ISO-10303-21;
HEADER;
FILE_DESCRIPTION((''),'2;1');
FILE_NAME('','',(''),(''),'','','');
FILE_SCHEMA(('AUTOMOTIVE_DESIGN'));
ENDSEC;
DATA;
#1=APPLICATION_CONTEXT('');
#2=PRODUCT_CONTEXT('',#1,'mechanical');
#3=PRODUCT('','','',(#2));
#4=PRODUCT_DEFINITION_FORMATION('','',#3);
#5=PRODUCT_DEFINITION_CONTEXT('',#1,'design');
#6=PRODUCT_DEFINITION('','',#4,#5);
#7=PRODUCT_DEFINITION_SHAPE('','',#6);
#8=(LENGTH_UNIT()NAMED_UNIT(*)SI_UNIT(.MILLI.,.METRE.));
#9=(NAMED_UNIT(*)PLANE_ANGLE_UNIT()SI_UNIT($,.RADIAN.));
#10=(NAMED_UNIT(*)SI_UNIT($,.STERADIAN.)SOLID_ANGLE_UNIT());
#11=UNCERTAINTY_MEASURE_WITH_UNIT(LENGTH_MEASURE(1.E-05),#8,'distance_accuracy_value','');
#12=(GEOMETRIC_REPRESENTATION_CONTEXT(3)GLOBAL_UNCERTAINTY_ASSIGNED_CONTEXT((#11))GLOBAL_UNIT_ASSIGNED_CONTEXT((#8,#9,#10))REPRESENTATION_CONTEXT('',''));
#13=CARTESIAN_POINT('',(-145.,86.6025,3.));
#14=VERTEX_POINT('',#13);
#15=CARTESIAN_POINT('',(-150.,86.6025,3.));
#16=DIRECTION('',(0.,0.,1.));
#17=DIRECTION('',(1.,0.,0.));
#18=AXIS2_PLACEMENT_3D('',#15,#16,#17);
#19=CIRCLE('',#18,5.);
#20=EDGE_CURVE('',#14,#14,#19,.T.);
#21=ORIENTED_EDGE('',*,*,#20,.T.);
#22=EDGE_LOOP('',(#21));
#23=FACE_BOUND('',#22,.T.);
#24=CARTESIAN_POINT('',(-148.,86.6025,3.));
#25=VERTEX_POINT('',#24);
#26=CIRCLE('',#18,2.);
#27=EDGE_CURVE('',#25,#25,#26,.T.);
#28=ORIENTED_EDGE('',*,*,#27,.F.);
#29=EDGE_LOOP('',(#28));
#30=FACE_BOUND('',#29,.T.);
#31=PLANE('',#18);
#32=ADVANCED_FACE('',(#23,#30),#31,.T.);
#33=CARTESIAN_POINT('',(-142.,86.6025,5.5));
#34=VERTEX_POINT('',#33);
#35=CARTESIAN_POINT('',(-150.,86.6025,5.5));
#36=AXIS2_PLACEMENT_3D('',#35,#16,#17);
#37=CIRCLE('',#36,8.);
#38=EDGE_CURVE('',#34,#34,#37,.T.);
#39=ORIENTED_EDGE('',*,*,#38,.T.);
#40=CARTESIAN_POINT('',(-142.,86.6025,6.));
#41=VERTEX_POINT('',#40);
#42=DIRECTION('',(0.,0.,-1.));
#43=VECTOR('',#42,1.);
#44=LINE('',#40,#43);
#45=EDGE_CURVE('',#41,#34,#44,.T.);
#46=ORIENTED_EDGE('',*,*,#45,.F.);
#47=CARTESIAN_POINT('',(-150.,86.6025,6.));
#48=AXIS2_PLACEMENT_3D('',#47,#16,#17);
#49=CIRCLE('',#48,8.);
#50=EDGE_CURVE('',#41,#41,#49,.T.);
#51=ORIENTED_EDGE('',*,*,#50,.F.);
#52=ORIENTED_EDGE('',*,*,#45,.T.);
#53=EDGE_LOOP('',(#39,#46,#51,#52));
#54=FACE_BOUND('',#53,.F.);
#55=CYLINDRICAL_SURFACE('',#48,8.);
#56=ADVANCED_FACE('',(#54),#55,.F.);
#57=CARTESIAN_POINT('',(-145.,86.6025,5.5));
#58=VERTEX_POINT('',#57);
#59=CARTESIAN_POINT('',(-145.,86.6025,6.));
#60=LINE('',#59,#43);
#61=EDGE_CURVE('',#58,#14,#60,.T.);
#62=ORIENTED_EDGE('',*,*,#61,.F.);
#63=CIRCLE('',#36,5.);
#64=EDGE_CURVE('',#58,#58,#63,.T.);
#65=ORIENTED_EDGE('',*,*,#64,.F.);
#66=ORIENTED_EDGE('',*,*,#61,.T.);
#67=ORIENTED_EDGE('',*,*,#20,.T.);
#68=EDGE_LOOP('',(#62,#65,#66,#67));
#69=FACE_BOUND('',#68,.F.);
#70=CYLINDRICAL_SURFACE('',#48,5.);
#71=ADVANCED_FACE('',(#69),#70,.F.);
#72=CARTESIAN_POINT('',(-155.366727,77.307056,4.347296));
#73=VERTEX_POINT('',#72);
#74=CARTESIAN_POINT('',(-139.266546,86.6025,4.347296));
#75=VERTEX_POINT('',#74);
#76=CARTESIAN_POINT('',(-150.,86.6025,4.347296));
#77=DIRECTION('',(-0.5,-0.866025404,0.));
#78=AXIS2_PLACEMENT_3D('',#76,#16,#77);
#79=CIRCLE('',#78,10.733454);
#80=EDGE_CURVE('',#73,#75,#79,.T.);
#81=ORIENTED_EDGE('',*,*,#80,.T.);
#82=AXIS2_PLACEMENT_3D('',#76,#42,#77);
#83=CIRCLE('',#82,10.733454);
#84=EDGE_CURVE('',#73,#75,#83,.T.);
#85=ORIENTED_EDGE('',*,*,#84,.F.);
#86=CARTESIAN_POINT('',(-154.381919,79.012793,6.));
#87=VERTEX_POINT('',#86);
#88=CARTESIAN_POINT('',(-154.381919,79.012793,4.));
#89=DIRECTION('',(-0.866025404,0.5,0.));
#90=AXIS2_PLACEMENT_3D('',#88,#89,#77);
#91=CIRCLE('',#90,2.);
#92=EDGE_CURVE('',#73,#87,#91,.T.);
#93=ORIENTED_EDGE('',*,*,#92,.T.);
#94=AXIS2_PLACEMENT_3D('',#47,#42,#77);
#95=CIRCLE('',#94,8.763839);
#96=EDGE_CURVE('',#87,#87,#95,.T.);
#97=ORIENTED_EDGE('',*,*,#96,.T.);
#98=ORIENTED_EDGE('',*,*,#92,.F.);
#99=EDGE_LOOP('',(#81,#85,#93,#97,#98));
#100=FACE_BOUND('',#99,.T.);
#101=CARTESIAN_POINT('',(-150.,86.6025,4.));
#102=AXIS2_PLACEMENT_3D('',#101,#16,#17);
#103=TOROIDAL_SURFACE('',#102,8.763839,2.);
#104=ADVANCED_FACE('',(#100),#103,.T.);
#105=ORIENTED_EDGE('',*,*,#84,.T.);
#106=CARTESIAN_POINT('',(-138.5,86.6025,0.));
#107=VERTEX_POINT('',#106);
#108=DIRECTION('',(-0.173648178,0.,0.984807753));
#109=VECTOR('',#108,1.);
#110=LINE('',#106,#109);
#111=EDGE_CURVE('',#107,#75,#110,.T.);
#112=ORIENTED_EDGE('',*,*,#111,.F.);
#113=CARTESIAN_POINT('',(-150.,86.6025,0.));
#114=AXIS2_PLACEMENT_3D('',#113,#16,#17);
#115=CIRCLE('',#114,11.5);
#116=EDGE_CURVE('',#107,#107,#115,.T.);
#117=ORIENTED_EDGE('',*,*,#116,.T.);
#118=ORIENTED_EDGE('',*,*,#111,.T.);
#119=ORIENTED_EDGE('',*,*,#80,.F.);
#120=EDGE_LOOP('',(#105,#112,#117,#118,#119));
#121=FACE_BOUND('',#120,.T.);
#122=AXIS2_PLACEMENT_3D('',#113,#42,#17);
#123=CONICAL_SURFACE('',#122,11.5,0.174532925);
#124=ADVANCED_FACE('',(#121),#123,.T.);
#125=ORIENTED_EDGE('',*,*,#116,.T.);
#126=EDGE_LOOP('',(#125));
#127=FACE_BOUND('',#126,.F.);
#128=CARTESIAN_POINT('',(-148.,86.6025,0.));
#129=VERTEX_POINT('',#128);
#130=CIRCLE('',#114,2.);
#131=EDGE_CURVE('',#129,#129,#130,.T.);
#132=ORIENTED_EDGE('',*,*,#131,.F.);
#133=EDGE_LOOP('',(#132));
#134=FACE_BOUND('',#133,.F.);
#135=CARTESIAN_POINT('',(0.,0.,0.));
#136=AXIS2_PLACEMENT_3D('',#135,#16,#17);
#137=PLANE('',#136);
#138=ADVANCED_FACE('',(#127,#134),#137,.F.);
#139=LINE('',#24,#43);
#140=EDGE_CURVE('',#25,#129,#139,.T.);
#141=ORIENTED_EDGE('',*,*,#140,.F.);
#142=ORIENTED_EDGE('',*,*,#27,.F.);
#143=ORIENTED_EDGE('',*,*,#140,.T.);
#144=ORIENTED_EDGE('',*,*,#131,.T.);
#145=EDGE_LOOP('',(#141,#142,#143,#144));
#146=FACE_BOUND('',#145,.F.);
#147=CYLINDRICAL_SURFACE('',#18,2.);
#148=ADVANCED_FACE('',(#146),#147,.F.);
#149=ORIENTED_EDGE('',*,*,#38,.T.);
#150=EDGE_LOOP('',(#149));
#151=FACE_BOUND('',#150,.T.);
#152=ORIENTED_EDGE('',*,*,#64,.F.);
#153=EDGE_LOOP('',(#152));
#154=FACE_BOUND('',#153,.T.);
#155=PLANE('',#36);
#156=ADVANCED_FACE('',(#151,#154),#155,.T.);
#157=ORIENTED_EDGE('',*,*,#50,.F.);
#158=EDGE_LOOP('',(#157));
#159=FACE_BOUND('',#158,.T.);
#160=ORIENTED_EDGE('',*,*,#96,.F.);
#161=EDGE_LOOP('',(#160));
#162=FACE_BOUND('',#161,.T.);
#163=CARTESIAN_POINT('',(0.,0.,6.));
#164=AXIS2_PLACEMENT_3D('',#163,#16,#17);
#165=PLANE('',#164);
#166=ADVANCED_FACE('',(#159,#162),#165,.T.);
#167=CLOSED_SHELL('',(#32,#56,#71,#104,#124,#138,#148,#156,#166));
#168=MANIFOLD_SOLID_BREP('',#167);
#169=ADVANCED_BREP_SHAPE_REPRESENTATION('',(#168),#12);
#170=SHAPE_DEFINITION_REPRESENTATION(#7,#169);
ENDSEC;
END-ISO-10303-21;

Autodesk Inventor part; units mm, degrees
ref_plane "YZ Plane" through (0, 0, 0) normal (1, 0, 0) x (0, 1, 0)
ref_plane "XZ Plane" through (0, 0, 0) normal (0, 1, 0) x (-1, 0, 0)
ref_plane "XY Plane" through (0, 0, 0) normal (0, 0, 1) x (1, 0, 0)
ref_plane "Work Plane1" through (0, 0, 0) normal (0, 0, 1) x (1, 0, 0)
sketch "Sketch1" plane through (0, 0, 0) normal (0, 0, 1) x (1, 0, 0)
  circle A0 centre (-150, 86.6025) radius 13 projected
  circle A1 centre (0, -173.2051) radius 13 projected
  circle A2 centre (0, -173.2051) radius 11.5
  circle A3 centre (-150, 86.6025) radius 11.5
  circle A4 centre (150, 86.6025) radius 11.5
  circle A5 centre (-150, 86.6025) radius 13 projected
  point P0 (0, 0)
  dimension "d0" = 23
  dimension "d1" = 23
  dimension "d2" = 23
extrude "Extrusion1" add sketch "Sketch1" along normal blind 6 draft -10 contours A3
fillet "Fillet1" radius 2 1 edges at (-160.442, 86.6025, 6)
sketch "Sketch2" plane through (-150, 86.6025, 6) normal (0, 0, 1) x (1, 0, 0)
  circle A0 centre (0, 0) radius 8.7638 projected
  circle A1 centre (0, 0) radius 5
  point P0 (150, -86.6025)
  dimension "d6" = 10
extrude "Extrusion2" cut sketch "Sketch2" against normal blind 3 contours A1
sketch "Sketch3" plane through (-150, 86.6025, 3) normal (0, 0, 1) x (1, 0, 0)
  circle A0 centre (0, 0) radius 5 projected
  circle A1 centre (0, 0) radius 2
  point P0 (150, -86.6025)
  dimension "d9" = 4
extrude "Extrusion3" cut sketch "Sketch3" against normal blind 3 contours A1
sketch "Sketch4" plane through (-150, 86.6025, 6) normal (0, 0, 1) x (1, 0, 0)
  circle A0 centre (0, 0) radius 5 projected
  circle A1 centre (0, 0) radius 8.7638 projected
  circle A2 centre (0, 0) radius 8
  point P0 (150, -86.6025)
  dimension "d12" = 16
extrude "Extrusion4" cut sketch "Sketch4" against normal blind 0.5 contours A2
properties part number "foot" material "Rubber"
